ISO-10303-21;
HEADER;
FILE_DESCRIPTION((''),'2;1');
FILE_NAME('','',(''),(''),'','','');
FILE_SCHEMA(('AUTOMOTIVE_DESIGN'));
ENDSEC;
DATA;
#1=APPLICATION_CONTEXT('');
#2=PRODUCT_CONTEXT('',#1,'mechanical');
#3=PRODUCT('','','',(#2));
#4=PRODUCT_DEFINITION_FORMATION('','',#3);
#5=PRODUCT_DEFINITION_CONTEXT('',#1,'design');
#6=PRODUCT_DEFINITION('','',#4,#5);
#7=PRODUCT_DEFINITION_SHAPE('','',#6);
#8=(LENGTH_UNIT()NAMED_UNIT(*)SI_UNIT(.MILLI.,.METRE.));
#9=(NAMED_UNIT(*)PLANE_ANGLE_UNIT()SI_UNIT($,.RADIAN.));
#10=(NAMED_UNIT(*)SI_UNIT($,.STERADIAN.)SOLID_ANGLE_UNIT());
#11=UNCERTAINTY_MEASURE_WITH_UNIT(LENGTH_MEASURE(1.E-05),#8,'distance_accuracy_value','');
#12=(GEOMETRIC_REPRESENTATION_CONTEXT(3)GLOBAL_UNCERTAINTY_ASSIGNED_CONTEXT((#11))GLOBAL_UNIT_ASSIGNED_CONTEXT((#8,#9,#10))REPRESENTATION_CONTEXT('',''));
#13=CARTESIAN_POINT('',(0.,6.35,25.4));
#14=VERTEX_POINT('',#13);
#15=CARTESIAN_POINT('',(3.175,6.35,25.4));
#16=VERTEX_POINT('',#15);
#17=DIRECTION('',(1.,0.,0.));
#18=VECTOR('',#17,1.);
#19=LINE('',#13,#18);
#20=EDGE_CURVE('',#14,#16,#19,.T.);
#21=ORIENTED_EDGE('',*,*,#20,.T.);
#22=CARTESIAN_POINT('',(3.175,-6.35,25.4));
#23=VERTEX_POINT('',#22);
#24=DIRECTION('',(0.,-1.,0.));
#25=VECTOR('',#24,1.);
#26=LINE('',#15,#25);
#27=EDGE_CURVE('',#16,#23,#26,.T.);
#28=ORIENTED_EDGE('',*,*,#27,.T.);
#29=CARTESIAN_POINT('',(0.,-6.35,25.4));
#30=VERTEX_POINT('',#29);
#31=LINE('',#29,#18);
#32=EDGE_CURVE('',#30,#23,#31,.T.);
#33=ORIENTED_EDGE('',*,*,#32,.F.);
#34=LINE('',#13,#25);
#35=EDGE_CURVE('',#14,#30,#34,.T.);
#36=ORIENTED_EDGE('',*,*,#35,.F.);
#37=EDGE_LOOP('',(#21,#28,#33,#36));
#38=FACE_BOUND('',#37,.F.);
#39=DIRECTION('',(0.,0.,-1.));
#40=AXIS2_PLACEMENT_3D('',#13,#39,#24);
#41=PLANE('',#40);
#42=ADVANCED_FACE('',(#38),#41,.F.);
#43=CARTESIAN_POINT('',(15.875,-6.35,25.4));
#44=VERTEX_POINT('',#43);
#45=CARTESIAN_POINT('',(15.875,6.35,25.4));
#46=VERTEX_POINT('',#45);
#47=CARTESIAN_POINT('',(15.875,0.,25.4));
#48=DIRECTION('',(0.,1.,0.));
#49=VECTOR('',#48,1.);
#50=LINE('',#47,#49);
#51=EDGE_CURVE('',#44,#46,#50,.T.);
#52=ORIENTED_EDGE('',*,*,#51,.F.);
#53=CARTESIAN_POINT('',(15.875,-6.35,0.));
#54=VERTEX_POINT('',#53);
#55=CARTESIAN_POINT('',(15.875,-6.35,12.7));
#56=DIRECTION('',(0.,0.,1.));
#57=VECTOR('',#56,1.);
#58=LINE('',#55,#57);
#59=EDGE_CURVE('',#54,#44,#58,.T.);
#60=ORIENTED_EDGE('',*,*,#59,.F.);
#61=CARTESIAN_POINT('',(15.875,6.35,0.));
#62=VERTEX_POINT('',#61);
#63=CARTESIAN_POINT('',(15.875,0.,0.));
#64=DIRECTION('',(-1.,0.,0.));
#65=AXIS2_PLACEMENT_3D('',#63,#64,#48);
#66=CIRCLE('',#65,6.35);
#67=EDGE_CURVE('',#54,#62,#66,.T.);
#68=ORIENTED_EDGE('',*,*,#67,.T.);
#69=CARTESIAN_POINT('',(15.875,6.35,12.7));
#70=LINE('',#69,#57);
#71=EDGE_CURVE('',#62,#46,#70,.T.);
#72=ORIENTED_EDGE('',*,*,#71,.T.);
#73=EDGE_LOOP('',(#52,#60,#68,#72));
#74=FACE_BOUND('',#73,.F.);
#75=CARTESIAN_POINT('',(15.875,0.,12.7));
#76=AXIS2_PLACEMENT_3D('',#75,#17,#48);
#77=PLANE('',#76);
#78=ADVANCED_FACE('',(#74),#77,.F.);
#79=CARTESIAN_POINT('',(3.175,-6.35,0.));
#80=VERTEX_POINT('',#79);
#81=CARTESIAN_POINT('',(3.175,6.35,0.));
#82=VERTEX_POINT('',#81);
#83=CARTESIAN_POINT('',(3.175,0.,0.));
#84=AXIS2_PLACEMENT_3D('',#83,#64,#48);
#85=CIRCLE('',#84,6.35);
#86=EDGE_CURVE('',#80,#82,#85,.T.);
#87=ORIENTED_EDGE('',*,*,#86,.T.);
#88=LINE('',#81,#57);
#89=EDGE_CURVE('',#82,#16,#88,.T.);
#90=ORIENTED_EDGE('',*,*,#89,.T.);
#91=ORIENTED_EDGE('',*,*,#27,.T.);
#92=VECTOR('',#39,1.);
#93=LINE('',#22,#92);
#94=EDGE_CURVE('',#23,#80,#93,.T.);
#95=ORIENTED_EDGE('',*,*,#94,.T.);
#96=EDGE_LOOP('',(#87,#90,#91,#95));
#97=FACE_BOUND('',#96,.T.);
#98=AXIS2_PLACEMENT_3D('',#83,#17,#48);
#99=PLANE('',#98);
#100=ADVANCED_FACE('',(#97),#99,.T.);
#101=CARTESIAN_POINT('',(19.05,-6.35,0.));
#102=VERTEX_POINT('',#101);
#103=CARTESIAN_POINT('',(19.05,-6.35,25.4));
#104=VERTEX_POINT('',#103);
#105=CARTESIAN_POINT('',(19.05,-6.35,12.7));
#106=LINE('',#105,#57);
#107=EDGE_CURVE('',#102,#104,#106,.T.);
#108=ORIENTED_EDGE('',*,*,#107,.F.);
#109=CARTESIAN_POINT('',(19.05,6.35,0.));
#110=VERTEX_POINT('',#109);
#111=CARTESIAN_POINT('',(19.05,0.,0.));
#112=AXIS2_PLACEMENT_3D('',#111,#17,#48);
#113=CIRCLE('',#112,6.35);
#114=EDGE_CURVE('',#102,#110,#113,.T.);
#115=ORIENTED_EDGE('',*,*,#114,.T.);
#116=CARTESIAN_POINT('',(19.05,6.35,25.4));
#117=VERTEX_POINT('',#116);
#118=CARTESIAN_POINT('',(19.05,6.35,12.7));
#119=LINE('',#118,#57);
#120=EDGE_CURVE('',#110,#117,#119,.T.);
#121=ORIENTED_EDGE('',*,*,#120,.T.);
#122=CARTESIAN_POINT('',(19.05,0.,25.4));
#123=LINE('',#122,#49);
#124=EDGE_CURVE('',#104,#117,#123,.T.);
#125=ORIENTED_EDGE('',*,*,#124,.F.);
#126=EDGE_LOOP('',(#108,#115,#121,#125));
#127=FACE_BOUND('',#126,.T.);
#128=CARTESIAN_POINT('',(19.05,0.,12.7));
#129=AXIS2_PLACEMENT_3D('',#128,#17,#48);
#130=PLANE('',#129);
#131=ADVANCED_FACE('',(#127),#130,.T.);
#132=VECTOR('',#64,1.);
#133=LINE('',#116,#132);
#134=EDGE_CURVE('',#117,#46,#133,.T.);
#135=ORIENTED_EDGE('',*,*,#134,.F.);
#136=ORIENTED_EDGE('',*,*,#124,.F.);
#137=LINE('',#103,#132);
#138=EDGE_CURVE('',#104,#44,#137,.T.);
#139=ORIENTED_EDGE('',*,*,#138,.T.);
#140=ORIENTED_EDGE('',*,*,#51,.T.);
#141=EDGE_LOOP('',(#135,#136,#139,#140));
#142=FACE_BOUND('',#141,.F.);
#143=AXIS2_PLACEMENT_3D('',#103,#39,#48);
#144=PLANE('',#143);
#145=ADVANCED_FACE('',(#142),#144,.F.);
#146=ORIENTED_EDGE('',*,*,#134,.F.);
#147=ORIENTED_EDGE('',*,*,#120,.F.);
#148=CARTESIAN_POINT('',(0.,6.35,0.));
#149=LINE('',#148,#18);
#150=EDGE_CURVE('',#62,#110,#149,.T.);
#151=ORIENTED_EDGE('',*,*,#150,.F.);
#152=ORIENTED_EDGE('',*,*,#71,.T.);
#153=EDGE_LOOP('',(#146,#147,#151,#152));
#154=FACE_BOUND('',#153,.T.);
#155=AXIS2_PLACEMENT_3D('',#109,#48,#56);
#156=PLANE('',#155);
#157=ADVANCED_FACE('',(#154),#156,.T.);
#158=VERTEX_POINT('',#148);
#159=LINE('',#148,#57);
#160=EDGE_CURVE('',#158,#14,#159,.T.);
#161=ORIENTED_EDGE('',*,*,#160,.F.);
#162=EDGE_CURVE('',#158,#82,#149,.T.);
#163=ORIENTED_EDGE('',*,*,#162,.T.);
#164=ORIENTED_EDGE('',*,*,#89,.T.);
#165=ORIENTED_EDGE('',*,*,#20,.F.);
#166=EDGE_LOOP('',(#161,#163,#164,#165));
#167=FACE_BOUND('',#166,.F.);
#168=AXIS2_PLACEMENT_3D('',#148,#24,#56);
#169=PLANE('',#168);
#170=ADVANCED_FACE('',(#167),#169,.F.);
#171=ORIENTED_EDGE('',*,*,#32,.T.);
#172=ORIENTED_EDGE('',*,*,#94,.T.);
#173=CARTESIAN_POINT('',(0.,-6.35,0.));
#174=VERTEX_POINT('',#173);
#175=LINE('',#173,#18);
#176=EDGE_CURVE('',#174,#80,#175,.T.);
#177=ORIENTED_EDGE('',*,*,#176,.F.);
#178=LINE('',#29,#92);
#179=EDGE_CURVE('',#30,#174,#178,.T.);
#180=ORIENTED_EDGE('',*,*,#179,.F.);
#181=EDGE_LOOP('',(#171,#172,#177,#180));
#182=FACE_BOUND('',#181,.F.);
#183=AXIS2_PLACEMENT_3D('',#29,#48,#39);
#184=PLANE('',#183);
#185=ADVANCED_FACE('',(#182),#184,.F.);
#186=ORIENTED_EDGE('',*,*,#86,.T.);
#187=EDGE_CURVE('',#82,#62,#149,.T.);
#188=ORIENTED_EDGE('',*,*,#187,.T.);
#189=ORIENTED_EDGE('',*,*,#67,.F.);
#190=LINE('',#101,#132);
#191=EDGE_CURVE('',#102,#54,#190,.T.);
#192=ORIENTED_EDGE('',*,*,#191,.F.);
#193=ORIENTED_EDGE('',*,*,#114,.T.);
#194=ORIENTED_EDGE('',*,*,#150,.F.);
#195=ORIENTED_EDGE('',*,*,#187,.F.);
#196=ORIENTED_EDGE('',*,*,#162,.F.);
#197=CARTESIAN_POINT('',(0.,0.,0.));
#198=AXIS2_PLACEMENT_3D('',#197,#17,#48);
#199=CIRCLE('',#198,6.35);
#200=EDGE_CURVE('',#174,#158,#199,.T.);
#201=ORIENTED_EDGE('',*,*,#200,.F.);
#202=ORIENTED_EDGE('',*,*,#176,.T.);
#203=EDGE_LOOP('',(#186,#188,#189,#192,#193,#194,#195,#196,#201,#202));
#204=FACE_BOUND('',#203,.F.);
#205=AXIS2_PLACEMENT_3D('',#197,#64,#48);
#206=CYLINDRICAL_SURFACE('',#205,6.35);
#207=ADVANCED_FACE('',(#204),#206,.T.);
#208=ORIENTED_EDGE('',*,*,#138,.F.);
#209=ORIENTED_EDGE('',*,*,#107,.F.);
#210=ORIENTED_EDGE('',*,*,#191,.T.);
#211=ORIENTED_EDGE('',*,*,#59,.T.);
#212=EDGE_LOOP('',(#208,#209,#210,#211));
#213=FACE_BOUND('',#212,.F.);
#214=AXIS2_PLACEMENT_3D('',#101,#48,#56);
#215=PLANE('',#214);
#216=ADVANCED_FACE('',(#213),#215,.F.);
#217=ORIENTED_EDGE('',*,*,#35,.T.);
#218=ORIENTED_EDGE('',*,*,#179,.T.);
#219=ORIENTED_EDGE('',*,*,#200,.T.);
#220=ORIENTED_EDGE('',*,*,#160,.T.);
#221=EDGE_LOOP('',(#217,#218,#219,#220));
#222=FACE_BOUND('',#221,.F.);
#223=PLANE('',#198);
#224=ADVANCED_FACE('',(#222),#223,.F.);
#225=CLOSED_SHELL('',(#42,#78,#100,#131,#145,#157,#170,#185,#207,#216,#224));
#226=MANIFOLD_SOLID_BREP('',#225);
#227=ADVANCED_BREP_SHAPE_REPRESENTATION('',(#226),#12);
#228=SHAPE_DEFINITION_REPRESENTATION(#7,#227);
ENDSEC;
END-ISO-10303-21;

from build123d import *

# Parameters (mm, degrees)
F1_DEPTH = 19.05
F2_DEPTH = 3.175
F3_W     = 12.7
F3_H     = 25.4
F4_DEPTH = 3.175


with BuildPart() as f1:
    # F0 (on Right) → F1 (new body)
    with BuildSketch(Plane.YZ):
        with BuildLine():
            ThreePointArc((-6.35, 0), (0, -6.35), (6.35, 0))
            ThreePointArc((6.35, 0), (0, 6.35), (-6.35, 0))
        make_face()
    extrude(amount=F1_DEPTH)

    # F0 (on Right) → F2 (join)
    with BuildSketch(Plane.YZ):
        with BuildLine():
            ThreePointArc((-6.35, 0), (0, -6.35), (6.35, 0))
            ThreePointArc((6.35, 0), (0, 6.35), (-6.35, 0))
        make_face()
        with BuildLine():
            ThreePointArc((-6.35, 0), (0, 6.35), (6.35, 0))
            Line((6.35, 0), (6.35, 25.4))
            Line((6.35, 25.4), (-6.35, 25.4))
            Line((-6.35, 25.4), (-6.35, 0))
        make_face()
    extrude(amount=F2_DEPTH)

    # F3 (on face) → F4 (join)
    with BuildSketch(Plane.YZ.offset(19.05)):
        with Locations((0, 12.7)):
            Rectangle(F3_W, F3_H)
    extrude(amount=-F4_DEPTH)


solid = f1.part
